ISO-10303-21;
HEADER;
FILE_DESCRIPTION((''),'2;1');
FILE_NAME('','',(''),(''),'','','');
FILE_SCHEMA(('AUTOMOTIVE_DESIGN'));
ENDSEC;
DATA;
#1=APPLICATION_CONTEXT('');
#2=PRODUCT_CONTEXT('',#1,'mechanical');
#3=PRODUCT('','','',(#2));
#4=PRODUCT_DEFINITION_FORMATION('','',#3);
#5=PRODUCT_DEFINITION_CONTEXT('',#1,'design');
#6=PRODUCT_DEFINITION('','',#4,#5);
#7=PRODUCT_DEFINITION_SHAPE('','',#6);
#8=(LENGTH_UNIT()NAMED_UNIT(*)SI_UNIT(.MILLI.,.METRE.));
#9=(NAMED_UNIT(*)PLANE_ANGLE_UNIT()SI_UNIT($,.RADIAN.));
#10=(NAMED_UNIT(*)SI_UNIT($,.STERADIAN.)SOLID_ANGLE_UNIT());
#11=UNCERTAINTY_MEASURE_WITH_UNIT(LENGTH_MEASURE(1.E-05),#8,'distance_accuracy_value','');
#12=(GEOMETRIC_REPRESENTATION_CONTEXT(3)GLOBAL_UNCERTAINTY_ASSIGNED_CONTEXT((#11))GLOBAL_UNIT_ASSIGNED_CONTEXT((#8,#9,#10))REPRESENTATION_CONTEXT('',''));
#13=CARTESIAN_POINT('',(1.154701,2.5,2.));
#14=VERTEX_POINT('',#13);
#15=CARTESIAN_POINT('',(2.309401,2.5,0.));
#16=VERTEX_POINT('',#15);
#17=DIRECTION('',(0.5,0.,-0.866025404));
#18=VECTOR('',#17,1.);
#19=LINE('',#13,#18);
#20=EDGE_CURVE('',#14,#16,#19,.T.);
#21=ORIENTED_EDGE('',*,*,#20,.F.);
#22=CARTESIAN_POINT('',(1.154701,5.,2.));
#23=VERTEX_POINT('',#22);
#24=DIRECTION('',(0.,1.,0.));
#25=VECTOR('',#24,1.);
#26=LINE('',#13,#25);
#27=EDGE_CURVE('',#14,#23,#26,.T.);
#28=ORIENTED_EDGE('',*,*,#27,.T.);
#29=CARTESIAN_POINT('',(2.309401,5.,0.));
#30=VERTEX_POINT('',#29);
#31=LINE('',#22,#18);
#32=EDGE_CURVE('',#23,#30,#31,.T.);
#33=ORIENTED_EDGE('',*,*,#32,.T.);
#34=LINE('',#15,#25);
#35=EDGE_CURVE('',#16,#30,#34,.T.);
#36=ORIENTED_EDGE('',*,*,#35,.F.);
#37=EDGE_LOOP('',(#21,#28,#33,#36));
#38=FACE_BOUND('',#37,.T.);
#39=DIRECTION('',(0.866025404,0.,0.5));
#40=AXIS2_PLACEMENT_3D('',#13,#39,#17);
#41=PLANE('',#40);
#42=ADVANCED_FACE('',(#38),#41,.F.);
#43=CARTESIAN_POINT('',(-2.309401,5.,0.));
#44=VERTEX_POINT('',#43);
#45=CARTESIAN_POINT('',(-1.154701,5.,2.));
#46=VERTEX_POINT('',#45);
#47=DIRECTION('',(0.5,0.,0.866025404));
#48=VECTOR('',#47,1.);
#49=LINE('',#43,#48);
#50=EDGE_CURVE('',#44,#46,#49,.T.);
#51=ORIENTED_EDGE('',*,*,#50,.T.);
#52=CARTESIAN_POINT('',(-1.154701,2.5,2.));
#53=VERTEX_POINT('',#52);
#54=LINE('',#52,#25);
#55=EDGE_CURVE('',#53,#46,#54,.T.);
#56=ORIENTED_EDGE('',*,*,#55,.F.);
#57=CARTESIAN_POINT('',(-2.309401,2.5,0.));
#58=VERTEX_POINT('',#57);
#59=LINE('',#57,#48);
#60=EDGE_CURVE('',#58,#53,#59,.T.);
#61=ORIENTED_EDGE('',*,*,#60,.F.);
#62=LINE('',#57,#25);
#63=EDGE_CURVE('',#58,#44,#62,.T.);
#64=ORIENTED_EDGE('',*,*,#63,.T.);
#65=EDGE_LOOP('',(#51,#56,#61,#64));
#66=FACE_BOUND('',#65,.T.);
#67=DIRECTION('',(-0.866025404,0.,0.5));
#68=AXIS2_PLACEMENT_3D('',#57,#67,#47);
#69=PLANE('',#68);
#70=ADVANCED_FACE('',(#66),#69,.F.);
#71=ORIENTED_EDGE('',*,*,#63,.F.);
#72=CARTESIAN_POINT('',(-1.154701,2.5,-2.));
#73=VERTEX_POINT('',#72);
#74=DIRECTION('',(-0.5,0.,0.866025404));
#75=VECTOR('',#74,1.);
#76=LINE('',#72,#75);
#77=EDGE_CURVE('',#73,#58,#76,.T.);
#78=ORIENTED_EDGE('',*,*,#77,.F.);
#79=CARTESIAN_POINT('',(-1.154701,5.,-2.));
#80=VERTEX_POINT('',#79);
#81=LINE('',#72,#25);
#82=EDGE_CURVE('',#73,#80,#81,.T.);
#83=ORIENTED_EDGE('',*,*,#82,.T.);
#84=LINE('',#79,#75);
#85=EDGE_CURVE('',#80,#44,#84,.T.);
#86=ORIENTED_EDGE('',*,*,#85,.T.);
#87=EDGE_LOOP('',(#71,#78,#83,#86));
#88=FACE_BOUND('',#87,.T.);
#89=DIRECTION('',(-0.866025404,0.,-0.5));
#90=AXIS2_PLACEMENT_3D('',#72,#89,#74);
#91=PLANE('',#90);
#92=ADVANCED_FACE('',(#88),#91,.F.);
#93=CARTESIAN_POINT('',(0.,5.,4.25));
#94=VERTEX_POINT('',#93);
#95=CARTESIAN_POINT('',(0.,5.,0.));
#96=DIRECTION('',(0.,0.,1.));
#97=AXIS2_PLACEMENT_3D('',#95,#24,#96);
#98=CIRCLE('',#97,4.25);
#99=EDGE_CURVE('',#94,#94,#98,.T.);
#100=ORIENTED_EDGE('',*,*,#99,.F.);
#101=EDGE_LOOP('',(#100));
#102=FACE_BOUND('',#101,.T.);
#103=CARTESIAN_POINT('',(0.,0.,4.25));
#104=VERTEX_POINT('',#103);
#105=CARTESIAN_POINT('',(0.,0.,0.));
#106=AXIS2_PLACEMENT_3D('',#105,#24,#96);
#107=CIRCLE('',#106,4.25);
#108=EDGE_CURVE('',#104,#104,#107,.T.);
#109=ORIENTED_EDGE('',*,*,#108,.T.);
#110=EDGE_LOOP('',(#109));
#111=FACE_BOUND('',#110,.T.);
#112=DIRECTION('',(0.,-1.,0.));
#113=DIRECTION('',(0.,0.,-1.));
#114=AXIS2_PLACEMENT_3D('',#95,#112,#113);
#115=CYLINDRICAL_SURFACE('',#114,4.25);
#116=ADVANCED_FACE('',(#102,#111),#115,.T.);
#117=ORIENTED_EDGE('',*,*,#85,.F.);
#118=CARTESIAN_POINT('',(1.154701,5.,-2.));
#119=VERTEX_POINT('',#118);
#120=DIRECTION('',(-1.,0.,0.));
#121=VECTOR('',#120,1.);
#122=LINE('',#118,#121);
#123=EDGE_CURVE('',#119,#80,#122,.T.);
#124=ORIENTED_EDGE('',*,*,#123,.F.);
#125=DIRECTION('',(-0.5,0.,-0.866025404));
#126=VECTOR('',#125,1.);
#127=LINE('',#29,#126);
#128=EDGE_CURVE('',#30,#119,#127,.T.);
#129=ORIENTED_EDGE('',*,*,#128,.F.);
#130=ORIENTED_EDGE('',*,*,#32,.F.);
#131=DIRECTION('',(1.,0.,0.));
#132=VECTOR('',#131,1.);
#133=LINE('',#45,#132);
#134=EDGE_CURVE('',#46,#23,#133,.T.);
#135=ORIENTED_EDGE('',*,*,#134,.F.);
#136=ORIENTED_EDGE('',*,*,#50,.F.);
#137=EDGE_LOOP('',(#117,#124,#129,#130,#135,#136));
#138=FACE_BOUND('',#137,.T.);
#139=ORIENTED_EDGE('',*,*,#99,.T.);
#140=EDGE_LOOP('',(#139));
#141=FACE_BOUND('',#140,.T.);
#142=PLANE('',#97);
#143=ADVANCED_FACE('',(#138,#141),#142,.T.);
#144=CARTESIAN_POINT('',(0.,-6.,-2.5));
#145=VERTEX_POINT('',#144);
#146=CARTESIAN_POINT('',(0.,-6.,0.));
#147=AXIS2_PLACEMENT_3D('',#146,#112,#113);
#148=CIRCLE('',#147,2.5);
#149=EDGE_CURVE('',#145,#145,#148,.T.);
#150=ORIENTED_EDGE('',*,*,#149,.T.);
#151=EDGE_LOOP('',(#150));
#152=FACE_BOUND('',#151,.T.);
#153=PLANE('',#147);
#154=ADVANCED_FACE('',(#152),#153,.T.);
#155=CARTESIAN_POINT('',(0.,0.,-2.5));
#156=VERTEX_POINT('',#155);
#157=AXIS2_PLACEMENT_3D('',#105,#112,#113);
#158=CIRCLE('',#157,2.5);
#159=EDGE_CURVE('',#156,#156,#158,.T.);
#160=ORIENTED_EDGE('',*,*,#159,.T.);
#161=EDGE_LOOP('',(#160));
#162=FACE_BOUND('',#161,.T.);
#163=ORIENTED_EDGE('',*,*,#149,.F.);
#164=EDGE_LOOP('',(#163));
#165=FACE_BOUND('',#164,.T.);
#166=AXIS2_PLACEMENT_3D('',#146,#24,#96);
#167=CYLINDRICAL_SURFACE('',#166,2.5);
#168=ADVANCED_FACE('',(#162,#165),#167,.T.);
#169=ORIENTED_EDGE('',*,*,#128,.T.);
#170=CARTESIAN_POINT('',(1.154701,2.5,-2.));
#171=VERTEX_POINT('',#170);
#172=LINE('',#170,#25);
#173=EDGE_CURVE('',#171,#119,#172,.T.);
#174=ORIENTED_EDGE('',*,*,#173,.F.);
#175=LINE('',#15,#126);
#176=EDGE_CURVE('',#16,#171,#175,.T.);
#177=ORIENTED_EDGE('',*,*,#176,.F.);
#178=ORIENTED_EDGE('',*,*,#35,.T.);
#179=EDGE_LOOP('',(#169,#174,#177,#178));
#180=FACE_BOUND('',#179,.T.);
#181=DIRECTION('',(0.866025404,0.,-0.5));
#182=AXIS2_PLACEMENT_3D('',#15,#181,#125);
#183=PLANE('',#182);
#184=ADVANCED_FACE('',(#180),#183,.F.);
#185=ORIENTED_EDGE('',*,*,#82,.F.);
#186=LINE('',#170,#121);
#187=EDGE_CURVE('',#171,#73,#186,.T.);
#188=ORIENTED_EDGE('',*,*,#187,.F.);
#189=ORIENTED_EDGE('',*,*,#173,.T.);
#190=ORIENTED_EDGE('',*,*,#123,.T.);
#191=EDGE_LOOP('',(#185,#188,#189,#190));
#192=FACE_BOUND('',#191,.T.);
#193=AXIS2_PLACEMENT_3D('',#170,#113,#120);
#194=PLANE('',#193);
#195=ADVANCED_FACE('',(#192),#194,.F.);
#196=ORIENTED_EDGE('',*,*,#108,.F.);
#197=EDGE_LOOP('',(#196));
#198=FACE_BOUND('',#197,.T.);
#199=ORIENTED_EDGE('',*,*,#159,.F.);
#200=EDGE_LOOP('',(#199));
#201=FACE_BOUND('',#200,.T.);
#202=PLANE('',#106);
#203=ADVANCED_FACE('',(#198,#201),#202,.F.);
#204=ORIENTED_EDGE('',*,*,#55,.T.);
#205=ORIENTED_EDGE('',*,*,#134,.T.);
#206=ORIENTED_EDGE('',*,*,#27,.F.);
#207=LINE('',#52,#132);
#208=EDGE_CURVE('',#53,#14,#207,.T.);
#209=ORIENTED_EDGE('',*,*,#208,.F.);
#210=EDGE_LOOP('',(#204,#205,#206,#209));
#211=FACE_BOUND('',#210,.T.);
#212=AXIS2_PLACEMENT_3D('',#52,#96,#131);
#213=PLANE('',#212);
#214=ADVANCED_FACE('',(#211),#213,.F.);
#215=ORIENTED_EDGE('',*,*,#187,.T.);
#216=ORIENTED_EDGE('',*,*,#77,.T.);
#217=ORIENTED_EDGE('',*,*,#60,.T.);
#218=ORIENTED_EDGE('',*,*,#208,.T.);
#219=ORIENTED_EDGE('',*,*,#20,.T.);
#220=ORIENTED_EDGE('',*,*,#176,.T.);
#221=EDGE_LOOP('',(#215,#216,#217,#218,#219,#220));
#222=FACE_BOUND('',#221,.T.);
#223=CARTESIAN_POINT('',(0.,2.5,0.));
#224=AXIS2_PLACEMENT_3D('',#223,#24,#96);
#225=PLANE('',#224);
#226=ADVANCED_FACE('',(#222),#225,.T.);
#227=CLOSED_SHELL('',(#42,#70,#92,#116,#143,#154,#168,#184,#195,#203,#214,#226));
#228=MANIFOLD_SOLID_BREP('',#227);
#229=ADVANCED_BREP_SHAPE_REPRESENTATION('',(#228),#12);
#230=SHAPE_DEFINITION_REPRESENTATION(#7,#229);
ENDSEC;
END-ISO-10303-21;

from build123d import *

# Parameters (mm, degrees)
SKETCH_1_R          = 4.25
EXTRUDE_1_DEPTH     = 5
CUT_EXTRUDE_1_DEPTH = 2.5
SKETCH_3_R          = 2.5
EXTRUDE_2_DEPTH     = 6


with BuildPart() as part:
    # 草图1 → 凸台-拉伸1 (new body)
    with BuildSketch(Plane(origin=(0, 0, 0), x_dir=(1, 0, 0), z_dir=(0, 1, 0))):
        Circle(SKETCH_1_R)
    extrude(amount=EXTRUDE_1_DEPTH)

    # 草图2 → 切除-拉伸1 (cut)
    with BuildSketch(Plane(origin=(0, 5, 0), x_dir=(1, 0, 0), z_dir=(0, 1, 0))):
        Polygon((2.309401077, 0), (1.154700538, 2), (-1.154700538, 2), (-2.309401077, 0), (-1.154700538, -2), (1.154700538, -2), align=None)
    extrude(amount=-CUT_EXTRUDE_1_DEPTH, mode=Mode.SUBTRACT)

    # 草图3 → 凸台-拉伸2 (add)
    with BuildSketch(Plane.XZ):
        Circle(SKETCH_3_R)
    extrude(amount=EXTRUDE_2_DEPTH)


solid = part.part
